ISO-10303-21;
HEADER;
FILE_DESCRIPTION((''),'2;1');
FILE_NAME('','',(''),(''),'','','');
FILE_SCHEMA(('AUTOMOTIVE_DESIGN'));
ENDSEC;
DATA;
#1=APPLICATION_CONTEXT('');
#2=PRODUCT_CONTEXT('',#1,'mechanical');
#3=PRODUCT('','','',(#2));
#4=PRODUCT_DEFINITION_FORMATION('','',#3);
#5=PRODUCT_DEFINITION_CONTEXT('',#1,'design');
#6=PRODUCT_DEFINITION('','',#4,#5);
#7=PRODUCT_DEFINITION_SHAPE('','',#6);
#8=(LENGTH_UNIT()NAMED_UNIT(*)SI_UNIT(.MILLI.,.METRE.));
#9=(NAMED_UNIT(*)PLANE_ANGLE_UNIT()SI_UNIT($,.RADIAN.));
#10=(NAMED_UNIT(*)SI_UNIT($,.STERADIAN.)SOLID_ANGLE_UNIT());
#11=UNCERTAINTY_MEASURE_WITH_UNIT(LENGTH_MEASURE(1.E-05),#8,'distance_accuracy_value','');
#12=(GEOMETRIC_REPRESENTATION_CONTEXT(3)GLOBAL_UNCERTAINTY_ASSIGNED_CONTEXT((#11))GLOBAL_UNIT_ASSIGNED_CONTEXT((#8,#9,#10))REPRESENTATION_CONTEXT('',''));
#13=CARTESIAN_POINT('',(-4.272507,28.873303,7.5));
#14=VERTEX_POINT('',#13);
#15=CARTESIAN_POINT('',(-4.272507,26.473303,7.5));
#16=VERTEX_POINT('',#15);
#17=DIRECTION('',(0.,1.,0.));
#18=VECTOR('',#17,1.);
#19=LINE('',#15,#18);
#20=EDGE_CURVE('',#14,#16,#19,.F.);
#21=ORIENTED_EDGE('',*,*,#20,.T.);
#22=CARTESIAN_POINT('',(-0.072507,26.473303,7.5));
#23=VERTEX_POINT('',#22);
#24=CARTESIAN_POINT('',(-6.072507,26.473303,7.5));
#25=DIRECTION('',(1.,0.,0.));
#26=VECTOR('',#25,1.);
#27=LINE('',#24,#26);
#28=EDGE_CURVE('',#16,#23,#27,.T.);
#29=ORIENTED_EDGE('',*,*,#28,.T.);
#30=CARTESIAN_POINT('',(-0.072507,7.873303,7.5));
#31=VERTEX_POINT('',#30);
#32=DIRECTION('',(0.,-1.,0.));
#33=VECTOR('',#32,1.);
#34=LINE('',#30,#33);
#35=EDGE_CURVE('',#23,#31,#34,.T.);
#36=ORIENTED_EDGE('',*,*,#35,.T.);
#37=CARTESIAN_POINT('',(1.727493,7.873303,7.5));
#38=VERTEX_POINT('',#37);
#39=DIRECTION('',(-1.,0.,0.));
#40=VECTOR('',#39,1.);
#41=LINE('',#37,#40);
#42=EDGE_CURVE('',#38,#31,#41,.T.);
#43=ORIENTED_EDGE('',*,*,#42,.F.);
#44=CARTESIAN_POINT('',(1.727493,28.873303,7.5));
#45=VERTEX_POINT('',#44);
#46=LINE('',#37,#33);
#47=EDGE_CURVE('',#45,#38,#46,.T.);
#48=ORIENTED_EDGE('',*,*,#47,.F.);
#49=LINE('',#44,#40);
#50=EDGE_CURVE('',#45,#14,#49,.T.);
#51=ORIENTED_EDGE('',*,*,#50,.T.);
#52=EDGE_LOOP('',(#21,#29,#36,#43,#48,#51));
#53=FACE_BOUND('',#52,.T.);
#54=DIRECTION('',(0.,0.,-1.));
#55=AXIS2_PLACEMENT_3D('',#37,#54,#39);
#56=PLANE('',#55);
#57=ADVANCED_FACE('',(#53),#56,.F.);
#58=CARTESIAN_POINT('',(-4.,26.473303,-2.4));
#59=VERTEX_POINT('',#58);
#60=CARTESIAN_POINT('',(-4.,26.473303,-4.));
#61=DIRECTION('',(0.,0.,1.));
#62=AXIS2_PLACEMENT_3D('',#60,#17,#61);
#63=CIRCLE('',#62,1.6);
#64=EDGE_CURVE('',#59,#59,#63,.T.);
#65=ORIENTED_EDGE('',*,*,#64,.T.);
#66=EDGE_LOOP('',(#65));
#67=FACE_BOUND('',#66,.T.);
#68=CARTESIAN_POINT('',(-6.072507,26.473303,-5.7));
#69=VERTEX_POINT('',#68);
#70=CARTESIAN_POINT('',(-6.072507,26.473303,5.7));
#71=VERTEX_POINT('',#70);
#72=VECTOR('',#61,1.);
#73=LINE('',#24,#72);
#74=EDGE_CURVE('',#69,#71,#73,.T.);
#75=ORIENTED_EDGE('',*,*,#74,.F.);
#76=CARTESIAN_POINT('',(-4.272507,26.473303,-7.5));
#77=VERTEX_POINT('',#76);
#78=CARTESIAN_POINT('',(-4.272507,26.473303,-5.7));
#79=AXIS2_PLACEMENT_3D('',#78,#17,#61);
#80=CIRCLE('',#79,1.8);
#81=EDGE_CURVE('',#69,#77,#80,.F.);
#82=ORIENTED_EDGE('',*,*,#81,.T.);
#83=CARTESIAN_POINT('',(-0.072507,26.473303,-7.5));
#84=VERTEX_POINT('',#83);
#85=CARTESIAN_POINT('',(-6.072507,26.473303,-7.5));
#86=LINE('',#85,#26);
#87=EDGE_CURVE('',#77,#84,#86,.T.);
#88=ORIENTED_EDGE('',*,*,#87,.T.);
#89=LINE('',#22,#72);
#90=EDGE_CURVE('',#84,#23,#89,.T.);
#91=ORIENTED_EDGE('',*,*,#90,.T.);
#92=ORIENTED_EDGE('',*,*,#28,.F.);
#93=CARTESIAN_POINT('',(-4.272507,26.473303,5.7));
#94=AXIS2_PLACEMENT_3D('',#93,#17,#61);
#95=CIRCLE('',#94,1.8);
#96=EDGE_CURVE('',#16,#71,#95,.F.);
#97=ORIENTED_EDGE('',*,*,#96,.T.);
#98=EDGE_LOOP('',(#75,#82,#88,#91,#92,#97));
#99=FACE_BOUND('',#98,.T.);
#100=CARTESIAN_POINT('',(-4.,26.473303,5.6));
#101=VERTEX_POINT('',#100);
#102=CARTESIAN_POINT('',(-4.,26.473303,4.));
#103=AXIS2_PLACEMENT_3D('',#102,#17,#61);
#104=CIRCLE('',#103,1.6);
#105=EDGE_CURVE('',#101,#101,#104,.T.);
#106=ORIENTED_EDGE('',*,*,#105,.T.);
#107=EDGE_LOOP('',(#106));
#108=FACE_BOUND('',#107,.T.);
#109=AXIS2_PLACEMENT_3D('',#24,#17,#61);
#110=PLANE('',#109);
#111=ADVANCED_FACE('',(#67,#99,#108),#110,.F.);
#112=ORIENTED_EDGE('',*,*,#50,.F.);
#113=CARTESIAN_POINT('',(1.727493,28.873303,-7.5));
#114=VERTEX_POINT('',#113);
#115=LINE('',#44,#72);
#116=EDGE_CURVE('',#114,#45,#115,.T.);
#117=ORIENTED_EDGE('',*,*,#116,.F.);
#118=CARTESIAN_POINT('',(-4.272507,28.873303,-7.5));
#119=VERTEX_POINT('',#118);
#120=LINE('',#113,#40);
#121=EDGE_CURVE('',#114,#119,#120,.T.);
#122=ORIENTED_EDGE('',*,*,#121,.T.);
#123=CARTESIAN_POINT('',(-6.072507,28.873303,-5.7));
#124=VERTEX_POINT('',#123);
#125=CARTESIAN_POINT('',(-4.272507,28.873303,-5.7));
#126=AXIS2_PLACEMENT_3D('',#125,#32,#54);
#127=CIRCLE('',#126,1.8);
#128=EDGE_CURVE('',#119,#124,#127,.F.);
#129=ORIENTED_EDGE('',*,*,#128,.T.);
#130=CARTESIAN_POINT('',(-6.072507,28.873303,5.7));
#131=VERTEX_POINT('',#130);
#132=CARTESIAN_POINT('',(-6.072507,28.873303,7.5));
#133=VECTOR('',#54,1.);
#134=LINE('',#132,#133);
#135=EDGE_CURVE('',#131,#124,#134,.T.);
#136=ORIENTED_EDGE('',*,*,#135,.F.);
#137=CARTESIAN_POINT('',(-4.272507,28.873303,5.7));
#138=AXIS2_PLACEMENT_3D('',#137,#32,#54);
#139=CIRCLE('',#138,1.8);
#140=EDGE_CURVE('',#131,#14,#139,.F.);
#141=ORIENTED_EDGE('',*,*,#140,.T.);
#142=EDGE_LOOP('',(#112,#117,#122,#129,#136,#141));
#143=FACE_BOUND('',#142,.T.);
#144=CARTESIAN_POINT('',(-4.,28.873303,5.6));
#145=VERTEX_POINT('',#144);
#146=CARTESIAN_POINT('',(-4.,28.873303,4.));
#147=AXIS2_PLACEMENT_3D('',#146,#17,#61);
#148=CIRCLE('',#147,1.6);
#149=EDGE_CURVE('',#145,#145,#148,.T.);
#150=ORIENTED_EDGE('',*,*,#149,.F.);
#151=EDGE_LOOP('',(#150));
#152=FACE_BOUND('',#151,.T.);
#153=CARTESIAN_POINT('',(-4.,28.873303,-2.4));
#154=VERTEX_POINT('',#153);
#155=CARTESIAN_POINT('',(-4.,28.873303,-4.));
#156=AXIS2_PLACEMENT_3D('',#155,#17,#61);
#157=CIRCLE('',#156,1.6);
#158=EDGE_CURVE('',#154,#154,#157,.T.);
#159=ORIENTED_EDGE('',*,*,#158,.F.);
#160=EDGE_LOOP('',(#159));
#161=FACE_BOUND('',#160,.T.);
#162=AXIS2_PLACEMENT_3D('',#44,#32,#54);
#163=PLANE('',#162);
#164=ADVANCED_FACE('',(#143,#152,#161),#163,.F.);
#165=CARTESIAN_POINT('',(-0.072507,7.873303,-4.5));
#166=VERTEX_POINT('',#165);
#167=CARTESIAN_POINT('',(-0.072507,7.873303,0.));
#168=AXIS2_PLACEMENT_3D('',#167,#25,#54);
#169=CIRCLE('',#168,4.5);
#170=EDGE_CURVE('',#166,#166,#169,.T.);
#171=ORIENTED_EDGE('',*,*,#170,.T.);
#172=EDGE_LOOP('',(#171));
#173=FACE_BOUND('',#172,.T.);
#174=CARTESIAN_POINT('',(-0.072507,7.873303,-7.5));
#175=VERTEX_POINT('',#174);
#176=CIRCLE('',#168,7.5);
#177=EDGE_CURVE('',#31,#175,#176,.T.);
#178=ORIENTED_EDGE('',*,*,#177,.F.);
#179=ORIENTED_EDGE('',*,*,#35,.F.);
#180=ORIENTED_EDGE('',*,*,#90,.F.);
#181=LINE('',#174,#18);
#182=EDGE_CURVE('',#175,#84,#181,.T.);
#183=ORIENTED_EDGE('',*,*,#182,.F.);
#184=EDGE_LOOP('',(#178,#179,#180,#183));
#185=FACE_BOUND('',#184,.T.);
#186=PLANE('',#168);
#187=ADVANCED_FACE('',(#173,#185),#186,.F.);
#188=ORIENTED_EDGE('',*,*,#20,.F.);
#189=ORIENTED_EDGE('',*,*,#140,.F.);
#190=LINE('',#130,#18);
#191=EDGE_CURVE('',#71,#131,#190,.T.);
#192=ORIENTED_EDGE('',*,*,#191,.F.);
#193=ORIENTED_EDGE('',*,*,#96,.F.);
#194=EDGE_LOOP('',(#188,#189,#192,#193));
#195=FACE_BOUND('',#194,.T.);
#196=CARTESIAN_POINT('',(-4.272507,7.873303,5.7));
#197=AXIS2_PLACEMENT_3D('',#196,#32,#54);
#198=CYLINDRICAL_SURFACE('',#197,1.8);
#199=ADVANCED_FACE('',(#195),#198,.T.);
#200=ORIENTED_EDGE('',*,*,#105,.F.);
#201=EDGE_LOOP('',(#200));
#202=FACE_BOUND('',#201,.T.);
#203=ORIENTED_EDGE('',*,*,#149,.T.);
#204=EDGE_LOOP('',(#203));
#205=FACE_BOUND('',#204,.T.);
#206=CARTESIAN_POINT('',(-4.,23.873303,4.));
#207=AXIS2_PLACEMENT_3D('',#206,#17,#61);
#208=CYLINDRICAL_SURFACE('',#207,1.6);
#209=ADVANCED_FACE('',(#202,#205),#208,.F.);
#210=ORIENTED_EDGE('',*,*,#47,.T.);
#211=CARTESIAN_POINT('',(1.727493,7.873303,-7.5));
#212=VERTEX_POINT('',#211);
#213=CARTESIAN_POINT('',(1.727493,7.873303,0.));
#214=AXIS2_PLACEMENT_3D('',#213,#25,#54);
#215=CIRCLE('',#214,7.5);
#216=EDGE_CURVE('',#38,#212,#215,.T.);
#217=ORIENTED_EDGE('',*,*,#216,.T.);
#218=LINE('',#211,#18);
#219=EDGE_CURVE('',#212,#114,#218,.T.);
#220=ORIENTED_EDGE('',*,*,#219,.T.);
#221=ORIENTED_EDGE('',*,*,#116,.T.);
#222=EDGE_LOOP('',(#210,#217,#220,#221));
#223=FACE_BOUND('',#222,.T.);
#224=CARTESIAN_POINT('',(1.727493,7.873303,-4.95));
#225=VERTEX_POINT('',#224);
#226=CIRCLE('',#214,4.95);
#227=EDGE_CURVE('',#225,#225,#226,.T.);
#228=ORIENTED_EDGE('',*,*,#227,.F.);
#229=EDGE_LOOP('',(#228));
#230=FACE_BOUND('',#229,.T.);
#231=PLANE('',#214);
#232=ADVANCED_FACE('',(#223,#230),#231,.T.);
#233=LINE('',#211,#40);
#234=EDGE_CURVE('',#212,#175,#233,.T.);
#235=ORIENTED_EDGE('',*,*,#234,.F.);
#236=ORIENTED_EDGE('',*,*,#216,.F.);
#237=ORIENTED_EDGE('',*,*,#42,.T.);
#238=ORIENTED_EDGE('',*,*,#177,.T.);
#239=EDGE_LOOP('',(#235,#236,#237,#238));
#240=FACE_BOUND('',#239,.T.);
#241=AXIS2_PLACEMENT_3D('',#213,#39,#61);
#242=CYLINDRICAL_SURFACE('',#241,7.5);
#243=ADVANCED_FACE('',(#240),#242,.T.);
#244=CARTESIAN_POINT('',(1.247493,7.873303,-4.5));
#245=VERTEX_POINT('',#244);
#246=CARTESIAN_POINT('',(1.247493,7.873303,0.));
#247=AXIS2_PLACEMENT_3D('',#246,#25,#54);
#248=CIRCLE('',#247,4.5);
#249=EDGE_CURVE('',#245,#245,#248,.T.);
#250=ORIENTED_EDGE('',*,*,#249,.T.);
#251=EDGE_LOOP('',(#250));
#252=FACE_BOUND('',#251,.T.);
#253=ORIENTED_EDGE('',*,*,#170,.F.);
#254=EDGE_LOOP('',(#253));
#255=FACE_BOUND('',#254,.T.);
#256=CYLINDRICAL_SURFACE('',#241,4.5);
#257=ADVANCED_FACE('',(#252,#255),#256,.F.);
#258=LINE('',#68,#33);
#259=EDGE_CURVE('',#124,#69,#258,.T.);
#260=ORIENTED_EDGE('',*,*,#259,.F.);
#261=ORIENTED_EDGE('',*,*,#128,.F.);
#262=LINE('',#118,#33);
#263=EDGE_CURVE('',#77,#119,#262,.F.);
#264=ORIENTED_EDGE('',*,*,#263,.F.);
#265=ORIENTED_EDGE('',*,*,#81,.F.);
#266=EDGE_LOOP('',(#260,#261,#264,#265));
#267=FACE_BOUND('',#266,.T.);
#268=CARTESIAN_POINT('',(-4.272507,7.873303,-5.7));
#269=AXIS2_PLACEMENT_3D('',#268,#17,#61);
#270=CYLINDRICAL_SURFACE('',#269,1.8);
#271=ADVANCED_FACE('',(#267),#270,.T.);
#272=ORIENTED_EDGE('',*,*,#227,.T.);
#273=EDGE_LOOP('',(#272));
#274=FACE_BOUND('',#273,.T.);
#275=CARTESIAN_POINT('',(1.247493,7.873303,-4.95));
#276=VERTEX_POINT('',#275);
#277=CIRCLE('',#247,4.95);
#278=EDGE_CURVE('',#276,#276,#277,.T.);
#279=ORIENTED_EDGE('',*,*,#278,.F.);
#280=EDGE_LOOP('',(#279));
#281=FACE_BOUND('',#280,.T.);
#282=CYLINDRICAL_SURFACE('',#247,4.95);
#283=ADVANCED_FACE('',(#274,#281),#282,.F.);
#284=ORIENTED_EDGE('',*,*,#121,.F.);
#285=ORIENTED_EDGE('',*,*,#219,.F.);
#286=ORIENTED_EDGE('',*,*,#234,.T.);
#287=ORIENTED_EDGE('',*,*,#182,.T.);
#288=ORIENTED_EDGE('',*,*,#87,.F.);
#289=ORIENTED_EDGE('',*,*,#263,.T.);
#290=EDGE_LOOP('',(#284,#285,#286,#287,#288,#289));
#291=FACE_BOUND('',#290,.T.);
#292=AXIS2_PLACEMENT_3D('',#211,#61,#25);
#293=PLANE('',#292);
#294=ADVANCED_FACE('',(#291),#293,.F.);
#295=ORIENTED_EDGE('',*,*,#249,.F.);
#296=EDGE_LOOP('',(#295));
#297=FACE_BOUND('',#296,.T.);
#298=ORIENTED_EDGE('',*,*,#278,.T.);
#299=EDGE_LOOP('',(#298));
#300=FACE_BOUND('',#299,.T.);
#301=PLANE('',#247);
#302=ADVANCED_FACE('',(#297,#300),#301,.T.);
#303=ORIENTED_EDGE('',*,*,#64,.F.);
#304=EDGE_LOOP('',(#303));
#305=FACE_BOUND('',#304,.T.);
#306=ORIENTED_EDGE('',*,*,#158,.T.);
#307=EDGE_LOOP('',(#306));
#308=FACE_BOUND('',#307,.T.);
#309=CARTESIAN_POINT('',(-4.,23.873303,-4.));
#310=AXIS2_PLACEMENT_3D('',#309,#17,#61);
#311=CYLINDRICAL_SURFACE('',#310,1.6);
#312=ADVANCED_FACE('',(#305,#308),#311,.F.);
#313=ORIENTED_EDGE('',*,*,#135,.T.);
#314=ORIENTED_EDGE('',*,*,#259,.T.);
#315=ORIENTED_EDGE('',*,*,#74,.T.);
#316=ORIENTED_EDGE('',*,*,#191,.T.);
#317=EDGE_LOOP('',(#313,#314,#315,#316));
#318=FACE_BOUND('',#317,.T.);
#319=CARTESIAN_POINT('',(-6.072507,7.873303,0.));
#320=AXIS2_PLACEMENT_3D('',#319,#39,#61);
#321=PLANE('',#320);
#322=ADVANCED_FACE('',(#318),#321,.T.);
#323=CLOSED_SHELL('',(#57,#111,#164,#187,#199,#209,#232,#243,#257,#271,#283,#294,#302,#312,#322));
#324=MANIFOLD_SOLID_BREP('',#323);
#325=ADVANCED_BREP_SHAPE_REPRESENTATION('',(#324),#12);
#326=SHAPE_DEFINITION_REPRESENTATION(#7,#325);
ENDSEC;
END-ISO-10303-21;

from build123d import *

# Parameters (mm, degrees)
SKETCH_1_R          = 7.5
EXTRUDE_1_DEPTH     = 3
SKETCH_2_W          = 25
SKETCH_2_H          = 4
EXTRUDE_2_DEPTH     = 10
FILLET_1_R          = 3
SKETCH_8_R          = 8.25
CUT_EXTRUDE_2_DEPTH = 0.8
SCALE_1_SCALE       = 0.6
SKETCH_3_R          = 1.6
CUT_EXTRUDE_3_DEPTH = 5


with BuildPart() as part:
    # 草图1 → 凸台-拉伸1 (new body)
    with BuildSketch(Plane(origin=(0, 0, 0), x_dir=(0, 0, -1), z_dir=(1, 0, 0))):
        with BuildLine():
            Line((-12.5, 0), (-12.5, 35))
            Line((-12.5, 35), (12.5, 35))
            Line((12.5, 35), (12.5, 0))
            ThreePointArc((12.5, 0), (0, -12.5), (-12.5, 0))
        make_face()
        Circle(SKETCH_1_R, mode=Mode.SUBTRACT)
    extrude(amount=EXTRUDE_1_DEPTH)

    # 草图2 → 凸台-拉伸2 (add)
    with BuildSketch(Plane.ZY):
        with Locations((0, 33)):
            Rectangle(SKETCH_2_W, SKETCH_2_H)
    extrude(amount=EXTRUDE_2_DEPTH)

    # 圆角1
    fillet_1_edges = [part.edges().sort_by_distance(p)[0] for p in [
        (-10, 33, 12.5),
        (-10, 33, -12.5),
    ]]
    fillet(fillet_1_edges, radius=FILLET_1_R)

    # 草图8 → 切除-拉伸2 (cut)
    with BuildSketch(Plane(origin=(3, 0, 0), x_dir=(0, 0, -1), z_dir=(1, 0, 0))):
        Circle(SKETCH_8_R)
    extrude(amount=-CUT_EXTRUDE_2_DEPTH, mode=Mode.SUBTRACT)


with BuildPart() as part_1:
    # 缩放比例1: scaled about (-0.181266262, 19.683257287, 0)
    add(part.part.scale(SCALE_1_SCALE).moved(Location((-0.072506505, 7.873302915, 0))))

    # 草图3 → 切除-拉伸3 (cut)
    with BuildSketch(Plane(origin=(0, 28.873302915, 0), x_dir=(1, 0, 0), z_dir=(0, 1, 0))):
        with Locations(Location((-4, 4, 0), (0, 0, 270))):
            Circle(SKETCH_3_R)
        with Locations(Location((-4, -4, 0), (0, 0, 270))):
            Circle(SKETCH_3_R)
    extrude(amount=-CUT_EXTRUDE_3_DEPTH, mode=Mode.SUBTRACT)


solid = part_1.part
